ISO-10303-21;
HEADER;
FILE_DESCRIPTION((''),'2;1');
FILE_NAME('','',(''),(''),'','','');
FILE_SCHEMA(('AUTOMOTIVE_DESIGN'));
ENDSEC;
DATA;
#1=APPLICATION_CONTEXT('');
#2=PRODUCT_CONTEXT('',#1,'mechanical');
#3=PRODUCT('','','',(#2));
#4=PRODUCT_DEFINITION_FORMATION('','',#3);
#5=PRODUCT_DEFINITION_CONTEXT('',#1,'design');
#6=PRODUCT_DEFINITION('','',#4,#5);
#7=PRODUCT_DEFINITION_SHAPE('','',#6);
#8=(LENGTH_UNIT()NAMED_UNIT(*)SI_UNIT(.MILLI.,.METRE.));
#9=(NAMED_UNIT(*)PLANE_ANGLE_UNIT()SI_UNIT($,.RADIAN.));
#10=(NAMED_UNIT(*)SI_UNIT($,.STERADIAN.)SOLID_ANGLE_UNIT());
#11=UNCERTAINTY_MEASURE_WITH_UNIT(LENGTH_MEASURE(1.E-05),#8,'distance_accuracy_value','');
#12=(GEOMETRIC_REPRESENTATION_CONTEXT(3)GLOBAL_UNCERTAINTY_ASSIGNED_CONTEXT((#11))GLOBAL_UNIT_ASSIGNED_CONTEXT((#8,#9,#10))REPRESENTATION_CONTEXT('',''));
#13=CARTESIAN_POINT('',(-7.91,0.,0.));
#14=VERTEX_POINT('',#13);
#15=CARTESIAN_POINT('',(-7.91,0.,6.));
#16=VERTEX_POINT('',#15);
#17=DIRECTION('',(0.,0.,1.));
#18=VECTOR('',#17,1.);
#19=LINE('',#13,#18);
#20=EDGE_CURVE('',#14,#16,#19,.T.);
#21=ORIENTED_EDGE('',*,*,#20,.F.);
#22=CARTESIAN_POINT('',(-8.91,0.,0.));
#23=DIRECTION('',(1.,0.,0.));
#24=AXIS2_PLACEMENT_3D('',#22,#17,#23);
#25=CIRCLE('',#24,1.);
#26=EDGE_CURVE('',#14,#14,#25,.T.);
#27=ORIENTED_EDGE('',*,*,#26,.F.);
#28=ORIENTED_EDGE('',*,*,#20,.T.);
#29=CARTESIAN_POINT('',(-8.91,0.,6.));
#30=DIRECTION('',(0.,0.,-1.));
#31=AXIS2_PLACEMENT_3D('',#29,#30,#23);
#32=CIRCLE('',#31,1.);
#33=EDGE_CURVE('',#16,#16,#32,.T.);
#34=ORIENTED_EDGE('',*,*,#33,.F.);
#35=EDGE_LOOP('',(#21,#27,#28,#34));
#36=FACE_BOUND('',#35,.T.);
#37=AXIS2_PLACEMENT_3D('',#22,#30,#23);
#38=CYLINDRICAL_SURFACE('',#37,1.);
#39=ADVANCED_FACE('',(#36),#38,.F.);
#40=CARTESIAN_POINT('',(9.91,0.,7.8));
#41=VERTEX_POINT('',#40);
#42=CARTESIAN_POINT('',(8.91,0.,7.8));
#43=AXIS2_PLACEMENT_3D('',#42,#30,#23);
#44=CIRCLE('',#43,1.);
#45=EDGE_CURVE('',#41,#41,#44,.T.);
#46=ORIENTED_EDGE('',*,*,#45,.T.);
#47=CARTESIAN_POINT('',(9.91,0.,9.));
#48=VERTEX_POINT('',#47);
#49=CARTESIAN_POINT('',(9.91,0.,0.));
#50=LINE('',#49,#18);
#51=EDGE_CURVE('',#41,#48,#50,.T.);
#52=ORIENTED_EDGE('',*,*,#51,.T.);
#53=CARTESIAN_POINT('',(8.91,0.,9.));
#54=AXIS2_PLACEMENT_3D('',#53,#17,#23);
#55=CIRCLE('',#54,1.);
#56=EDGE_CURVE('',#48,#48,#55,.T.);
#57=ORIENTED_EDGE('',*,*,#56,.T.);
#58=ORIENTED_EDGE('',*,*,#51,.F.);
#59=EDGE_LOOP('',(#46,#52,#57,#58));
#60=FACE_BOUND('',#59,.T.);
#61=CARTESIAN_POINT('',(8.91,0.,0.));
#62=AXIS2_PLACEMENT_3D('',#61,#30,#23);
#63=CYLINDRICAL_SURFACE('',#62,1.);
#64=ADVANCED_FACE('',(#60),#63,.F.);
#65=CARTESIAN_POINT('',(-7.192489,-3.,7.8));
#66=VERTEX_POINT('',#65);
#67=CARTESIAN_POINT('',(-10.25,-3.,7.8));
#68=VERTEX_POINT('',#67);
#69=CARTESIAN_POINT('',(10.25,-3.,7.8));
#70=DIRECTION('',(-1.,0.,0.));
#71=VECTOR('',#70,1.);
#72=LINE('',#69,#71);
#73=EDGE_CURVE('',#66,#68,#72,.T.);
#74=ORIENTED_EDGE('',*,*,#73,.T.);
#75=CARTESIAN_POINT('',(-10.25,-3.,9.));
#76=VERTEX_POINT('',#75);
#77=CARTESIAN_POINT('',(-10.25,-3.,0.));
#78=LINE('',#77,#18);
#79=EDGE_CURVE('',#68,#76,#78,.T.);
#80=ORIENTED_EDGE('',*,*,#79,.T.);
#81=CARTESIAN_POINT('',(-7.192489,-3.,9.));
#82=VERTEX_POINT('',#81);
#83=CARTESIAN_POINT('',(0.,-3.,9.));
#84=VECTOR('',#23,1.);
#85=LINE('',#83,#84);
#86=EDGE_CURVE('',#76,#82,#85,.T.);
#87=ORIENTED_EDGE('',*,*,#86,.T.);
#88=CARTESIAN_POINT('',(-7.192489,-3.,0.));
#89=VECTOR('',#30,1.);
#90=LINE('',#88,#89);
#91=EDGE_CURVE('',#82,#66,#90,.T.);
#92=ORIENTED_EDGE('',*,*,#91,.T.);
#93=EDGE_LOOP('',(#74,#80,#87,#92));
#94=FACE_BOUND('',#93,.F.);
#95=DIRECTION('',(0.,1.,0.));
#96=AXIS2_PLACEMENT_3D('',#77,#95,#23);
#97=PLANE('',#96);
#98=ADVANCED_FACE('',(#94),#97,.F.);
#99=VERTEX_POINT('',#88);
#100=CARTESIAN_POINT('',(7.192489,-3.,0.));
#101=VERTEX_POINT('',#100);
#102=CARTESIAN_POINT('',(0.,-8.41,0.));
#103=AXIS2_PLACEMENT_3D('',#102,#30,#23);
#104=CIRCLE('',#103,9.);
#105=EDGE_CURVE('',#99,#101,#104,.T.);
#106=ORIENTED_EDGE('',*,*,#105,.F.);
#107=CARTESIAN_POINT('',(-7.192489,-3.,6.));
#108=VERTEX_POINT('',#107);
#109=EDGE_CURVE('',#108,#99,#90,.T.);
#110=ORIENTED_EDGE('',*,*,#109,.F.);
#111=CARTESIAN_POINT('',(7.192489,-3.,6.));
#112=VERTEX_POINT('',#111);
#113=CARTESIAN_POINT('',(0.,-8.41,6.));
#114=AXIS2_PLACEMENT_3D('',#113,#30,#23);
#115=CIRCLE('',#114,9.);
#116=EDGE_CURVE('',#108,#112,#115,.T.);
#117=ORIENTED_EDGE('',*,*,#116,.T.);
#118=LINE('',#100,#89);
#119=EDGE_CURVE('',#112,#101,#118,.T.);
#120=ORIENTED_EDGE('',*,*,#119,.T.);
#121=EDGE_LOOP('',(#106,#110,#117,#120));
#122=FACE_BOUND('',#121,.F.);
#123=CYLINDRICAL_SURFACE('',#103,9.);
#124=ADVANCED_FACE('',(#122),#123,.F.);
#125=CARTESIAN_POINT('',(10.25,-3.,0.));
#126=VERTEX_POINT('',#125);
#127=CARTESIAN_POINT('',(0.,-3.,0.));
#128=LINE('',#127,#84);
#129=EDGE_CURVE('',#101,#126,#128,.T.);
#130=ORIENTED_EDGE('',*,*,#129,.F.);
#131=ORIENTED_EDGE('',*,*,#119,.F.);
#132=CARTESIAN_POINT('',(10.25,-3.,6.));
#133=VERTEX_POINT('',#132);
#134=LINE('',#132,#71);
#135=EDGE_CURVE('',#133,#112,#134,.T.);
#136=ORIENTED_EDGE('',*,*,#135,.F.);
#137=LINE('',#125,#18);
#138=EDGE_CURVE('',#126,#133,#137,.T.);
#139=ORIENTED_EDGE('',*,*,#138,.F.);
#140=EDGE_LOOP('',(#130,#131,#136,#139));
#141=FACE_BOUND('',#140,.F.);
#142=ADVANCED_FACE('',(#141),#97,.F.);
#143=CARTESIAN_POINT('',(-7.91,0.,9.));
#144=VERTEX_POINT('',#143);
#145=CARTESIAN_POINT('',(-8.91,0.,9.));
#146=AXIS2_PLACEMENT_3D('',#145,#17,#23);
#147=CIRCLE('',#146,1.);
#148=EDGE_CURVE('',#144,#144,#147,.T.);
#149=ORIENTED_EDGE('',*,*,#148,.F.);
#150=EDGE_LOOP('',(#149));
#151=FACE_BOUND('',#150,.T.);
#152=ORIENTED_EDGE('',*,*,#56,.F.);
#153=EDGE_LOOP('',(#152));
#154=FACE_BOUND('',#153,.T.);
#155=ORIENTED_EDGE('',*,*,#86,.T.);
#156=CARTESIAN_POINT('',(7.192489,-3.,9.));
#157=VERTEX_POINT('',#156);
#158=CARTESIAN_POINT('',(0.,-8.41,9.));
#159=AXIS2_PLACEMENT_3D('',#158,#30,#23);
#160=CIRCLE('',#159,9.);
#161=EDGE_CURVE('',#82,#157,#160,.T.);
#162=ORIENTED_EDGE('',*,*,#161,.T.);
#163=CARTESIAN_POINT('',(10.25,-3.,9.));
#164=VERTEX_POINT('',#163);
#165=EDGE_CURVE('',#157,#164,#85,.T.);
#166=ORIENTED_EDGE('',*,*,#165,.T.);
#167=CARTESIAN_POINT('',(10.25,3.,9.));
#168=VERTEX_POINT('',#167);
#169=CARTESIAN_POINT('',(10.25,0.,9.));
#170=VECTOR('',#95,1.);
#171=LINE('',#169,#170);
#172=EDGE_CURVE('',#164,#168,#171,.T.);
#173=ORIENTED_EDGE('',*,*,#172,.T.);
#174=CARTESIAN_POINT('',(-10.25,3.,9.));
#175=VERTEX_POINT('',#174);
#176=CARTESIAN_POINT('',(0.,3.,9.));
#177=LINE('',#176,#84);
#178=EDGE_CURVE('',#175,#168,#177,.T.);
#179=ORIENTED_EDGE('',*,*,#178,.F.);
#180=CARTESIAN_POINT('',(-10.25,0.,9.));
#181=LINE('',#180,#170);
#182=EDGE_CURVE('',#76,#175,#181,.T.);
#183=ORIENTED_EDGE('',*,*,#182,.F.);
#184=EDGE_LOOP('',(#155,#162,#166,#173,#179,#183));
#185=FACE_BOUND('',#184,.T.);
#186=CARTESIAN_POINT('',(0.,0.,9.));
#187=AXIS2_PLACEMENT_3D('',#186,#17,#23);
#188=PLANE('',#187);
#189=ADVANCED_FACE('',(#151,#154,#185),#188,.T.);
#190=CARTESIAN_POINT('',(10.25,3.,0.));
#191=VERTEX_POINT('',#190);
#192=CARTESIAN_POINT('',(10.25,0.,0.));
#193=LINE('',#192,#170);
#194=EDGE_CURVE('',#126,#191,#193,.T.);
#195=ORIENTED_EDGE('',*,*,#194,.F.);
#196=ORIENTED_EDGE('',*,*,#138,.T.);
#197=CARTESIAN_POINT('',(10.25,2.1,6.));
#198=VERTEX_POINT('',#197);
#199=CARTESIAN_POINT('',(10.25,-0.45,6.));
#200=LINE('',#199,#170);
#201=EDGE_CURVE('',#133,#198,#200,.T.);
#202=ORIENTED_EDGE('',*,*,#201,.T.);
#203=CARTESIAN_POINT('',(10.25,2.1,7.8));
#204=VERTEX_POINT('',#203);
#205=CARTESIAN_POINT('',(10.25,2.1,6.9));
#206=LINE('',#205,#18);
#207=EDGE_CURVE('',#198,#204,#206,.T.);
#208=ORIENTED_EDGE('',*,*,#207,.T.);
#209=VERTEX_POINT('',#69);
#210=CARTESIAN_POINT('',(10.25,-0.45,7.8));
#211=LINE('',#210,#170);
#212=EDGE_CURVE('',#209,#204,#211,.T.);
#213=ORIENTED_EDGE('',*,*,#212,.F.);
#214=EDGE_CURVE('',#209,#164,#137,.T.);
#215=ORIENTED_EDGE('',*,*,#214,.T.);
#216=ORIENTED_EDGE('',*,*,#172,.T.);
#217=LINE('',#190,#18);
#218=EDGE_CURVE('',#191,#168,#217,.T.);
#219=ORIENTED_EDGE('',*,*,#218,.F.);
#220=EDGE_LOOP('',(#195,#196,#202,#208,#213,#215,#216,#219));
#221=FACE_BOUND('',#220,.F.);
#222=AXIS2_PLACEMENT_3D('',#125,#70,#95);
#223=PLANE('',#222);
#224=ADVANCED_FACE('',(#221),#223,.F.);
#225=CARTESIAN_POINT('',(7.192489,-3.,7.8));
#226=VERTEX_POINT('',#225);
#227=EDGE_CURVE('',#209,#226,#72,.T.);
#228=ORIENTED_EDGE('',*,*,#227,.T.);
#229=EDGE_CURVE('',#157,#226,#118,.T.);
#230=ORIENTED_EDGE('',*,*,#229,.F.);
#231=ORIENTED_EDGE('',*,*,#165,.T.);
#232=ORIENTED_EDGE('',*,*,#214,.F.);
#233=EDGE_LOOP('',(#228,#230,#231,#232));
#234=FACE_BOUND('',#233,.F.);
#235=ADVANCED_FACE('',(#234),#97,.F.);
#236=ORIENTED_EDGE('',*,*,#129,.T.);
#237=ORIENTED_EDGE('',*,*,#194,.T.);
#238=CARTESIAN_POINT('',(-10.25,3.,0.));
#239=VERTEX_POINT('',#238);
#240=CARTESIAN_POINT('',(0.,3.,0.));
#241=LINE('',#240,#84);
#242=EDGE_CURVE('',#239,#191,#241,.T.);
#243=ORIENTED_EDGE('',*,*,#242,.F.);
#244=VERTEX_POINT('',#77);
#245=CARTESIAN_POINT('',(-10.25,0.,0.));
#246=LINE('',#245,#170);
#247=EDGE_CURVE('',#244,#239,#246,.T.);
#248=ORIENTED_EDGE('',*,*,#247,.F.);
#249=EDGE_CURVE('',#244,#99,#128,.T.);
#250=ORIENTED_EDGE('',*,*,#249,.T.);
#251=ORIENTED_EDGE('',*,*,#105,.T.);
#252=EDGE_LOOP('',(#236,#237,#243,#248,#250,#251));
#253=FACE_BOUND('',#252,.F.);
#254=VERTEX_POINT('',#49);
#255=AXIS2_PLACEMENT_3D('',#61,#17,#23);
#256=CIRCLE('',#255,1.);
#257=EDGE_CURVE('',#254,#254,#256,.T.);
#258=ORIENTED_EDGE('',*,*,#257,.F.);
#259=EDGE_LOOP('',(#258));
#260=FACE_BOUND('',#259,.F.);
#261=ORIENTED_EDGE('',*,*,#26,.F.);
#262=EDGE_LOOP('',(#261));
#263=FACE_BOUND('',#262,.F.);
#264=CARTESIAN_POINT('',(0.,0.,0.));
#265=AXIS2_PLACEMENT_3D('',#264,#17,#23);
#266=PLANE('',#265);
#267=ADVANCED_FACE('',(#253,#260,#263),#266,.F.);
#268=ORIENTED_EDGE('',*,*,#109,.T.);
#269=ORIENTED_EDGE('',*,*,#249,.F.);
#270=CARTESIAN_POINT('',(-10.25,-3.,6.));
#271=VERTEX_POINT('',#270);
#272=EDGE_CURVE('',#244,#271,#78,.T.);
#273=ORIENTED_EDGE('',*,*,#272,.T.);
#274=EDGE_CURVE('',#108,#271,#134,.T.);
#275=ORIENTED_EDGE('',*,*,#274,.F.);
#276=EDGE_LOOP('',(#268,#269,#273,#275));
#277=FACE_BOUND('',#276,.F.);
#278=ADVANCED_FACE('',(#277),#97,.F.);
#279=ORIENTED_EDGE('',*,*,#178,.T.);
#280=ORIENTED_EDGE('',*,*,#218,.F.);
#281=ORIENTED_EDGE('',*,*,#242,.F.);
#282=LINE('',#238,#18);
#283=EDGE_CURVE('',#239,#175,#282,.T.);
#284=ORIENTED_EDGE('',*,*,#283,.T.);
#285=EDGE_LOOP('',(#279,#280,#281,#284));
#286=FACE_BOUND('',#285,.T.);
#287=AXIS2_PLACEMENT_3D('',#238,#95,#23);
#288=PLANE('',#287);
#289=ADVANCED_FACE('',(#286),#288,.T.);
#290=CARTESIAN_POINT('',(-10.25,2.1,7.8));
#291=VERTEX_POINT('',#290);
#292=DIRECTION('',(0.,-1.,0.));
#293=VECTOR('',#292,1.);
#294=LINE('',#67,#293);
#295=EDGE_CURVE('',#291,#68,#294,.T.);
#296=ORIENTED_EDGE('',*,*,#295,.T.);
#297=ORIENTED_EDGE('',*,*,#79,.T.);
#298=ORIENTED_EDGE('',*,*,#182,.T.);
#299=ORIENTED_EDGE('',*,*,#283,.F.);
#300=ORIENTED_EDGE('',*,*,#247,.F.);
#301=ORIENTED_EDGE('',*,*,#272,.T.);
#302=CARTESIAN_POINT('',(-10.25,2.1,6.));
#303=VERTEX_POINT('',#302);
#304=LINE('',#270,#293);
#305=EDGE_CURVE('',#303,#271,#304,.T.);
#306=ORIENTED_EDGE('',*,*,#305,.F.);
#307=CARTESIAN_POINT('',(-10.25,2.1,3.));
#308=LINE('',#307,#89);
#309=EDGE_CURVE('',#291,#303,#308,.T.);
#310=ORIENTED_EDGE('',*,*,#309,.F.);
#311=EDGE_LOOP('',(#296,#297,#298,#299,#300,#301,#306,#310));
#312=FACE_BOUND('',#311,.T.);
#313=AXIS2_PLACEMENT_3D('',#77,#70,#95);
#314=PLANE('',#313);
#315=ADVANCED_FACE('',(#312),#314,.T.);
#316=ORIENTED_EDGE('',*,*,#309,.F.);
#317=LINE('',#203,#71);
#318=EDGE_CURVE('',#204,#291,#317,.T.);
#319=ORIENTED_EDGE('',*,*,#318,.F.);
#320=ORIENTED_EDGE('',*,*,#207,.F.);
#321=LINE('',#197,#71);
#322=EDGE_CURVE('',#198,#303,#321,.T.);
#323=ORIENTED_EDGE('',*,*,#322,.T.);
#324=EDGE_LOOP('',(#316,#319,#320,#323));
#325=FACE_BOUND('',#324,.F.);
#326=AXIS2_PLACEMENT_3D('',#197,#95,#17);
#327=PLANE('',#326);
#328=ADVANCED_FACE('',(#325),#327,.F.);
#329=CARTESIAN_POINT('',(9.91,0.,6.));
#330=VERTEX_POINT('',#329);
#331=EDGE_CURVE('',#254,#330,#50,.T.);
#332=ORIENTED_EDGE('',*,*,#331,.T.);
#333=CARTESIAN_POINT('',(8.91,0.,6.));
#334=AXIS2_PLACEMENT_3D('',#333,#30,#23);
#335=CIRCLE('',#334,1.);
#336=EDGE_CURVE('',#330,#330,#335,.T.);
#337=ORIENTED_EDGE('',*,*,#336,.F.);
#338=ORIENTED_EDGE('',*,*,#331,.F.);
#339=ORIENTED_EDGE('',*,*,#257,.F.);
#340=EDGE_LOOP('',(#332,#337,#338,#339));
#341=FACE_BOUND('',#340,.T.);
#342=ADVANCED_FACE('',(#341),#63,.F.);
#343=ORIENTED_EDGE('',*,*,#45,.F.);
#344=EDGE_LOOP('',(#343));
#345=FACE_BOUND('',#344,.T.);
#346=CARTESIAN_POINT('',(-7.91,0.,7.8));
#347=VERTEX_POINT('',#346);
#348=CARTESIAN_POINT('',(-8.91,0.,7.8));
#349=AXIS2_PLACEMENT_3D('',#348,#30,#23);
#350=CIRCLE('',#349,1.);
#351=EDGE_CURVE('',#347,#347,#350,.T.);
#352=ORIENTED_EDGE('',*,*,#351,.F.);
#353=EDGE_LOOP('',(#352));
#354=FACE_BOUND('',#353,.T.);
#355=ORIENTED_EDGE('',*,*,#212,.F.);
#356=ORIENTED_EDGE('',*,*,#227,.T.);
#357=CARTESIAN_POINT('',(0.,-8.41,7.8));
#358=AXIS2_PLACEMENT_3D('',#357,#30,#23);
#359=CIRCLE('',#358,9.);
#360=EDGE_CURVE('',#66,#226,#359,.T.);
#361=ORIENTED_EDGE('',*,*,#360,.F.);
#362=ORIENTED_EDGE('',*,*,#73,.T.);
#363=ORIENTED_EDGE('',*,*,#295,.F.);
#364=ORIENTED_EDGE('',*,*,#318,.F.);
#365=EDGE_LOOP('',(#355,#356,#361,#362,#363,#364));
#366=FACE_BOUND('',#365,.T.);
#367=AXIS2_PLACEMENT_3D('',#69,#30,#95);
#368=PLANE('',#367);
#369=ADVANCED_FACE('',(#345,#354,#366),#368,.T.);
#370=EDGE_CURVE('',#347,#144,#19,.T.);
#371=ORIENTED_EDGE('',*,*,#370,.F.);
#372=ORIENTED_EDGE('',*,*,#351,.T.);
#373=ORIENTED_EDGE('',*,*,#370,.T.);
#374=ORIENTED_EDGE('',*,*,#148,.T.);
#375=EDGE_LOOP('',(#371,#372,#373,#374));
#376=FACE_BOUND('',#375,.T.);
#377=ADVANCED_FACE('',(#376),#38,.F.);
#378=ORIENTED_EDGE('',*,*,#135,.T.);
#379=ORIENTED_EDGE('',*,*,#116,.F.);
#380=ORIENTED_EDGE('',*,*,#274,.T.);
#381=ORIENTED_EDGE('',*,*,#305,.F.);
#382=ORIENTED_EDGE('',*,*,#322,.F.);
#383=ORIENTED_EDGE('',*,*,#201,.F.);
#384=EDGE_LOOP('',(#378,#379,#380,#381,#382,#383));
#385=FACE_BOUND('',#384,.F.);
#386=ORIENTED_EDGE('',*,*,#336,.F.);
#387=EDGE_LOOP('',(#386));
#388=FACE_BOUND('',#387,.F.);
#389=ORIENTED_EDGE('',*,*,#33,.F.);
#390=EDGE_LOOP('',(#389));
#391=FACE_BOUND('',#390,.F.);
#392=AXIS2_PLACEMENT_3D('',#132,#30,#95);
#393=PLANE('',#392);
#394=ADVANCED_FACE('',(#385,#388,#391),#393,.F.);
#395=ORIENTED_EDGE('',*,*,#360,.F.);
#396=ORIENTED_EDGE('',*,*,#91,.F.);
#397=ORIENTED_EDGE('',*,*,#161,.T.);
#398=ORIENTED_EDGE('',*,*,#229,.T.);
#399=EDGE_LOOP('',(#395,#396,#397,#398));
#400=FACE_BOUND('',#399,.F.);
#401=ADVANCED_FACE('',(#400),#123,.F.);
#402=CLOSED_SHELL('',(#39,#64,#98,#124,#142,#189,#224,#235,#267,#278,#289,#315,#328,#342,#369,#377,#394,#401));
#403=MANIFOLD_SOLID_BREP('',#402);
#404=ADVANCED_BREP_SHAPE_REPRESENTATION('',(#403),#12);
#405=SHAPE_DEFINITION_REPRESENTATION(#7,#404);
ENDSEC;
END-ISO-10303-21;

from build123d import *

# Parameters (mm, degrees)
F0_W     = 20.5
F0_H     = 6
F0_R     = 1
F1_DEPTH = 9
F2_W     = 5.1
F2_H     = 1.8
F3_DEPTH = 20.501
F4_R     = 9
F5_DEPTH = 25


with BuildPart() as f1:
    # F0 (on Top) → F1 (new body)
    with BuildSketch(Plane.XY):
        Rectangle(F0_W, F0_H)
        with Locations((-8.91, 0)):
            Circle(F0_R, mode=Mode.SUBTRACT)
        with Locations((8.91, 0)):
            Circle(F0_R, mode=Mode.SUBTRACT)
    extrude(amount=F1_DEPTH)

    # F2 (on face) → F3 (cut, through all)
    with BuildSketch(Plane.YZ.offset(10.25)):
        with Locations((-0.45, 6.9)):
            Rectangle(F2_W, F2_H)
    extrude(amount=-F3_DEPTH, mode=Mode.SUBTRACT)

    # F4 (on face) → F5 (cut)
    with BuildSketch(Plane(origin=(0, 0, 0), x_dir=(1, 0, 0), z_dir=(0, 0, -1))):
        with Locations((0, 8.41)):
            Circle(F4_R)
    extrude(amount=-F5_DEPTH, mode=Mode.SUBTRACT)


solid = f1.part
